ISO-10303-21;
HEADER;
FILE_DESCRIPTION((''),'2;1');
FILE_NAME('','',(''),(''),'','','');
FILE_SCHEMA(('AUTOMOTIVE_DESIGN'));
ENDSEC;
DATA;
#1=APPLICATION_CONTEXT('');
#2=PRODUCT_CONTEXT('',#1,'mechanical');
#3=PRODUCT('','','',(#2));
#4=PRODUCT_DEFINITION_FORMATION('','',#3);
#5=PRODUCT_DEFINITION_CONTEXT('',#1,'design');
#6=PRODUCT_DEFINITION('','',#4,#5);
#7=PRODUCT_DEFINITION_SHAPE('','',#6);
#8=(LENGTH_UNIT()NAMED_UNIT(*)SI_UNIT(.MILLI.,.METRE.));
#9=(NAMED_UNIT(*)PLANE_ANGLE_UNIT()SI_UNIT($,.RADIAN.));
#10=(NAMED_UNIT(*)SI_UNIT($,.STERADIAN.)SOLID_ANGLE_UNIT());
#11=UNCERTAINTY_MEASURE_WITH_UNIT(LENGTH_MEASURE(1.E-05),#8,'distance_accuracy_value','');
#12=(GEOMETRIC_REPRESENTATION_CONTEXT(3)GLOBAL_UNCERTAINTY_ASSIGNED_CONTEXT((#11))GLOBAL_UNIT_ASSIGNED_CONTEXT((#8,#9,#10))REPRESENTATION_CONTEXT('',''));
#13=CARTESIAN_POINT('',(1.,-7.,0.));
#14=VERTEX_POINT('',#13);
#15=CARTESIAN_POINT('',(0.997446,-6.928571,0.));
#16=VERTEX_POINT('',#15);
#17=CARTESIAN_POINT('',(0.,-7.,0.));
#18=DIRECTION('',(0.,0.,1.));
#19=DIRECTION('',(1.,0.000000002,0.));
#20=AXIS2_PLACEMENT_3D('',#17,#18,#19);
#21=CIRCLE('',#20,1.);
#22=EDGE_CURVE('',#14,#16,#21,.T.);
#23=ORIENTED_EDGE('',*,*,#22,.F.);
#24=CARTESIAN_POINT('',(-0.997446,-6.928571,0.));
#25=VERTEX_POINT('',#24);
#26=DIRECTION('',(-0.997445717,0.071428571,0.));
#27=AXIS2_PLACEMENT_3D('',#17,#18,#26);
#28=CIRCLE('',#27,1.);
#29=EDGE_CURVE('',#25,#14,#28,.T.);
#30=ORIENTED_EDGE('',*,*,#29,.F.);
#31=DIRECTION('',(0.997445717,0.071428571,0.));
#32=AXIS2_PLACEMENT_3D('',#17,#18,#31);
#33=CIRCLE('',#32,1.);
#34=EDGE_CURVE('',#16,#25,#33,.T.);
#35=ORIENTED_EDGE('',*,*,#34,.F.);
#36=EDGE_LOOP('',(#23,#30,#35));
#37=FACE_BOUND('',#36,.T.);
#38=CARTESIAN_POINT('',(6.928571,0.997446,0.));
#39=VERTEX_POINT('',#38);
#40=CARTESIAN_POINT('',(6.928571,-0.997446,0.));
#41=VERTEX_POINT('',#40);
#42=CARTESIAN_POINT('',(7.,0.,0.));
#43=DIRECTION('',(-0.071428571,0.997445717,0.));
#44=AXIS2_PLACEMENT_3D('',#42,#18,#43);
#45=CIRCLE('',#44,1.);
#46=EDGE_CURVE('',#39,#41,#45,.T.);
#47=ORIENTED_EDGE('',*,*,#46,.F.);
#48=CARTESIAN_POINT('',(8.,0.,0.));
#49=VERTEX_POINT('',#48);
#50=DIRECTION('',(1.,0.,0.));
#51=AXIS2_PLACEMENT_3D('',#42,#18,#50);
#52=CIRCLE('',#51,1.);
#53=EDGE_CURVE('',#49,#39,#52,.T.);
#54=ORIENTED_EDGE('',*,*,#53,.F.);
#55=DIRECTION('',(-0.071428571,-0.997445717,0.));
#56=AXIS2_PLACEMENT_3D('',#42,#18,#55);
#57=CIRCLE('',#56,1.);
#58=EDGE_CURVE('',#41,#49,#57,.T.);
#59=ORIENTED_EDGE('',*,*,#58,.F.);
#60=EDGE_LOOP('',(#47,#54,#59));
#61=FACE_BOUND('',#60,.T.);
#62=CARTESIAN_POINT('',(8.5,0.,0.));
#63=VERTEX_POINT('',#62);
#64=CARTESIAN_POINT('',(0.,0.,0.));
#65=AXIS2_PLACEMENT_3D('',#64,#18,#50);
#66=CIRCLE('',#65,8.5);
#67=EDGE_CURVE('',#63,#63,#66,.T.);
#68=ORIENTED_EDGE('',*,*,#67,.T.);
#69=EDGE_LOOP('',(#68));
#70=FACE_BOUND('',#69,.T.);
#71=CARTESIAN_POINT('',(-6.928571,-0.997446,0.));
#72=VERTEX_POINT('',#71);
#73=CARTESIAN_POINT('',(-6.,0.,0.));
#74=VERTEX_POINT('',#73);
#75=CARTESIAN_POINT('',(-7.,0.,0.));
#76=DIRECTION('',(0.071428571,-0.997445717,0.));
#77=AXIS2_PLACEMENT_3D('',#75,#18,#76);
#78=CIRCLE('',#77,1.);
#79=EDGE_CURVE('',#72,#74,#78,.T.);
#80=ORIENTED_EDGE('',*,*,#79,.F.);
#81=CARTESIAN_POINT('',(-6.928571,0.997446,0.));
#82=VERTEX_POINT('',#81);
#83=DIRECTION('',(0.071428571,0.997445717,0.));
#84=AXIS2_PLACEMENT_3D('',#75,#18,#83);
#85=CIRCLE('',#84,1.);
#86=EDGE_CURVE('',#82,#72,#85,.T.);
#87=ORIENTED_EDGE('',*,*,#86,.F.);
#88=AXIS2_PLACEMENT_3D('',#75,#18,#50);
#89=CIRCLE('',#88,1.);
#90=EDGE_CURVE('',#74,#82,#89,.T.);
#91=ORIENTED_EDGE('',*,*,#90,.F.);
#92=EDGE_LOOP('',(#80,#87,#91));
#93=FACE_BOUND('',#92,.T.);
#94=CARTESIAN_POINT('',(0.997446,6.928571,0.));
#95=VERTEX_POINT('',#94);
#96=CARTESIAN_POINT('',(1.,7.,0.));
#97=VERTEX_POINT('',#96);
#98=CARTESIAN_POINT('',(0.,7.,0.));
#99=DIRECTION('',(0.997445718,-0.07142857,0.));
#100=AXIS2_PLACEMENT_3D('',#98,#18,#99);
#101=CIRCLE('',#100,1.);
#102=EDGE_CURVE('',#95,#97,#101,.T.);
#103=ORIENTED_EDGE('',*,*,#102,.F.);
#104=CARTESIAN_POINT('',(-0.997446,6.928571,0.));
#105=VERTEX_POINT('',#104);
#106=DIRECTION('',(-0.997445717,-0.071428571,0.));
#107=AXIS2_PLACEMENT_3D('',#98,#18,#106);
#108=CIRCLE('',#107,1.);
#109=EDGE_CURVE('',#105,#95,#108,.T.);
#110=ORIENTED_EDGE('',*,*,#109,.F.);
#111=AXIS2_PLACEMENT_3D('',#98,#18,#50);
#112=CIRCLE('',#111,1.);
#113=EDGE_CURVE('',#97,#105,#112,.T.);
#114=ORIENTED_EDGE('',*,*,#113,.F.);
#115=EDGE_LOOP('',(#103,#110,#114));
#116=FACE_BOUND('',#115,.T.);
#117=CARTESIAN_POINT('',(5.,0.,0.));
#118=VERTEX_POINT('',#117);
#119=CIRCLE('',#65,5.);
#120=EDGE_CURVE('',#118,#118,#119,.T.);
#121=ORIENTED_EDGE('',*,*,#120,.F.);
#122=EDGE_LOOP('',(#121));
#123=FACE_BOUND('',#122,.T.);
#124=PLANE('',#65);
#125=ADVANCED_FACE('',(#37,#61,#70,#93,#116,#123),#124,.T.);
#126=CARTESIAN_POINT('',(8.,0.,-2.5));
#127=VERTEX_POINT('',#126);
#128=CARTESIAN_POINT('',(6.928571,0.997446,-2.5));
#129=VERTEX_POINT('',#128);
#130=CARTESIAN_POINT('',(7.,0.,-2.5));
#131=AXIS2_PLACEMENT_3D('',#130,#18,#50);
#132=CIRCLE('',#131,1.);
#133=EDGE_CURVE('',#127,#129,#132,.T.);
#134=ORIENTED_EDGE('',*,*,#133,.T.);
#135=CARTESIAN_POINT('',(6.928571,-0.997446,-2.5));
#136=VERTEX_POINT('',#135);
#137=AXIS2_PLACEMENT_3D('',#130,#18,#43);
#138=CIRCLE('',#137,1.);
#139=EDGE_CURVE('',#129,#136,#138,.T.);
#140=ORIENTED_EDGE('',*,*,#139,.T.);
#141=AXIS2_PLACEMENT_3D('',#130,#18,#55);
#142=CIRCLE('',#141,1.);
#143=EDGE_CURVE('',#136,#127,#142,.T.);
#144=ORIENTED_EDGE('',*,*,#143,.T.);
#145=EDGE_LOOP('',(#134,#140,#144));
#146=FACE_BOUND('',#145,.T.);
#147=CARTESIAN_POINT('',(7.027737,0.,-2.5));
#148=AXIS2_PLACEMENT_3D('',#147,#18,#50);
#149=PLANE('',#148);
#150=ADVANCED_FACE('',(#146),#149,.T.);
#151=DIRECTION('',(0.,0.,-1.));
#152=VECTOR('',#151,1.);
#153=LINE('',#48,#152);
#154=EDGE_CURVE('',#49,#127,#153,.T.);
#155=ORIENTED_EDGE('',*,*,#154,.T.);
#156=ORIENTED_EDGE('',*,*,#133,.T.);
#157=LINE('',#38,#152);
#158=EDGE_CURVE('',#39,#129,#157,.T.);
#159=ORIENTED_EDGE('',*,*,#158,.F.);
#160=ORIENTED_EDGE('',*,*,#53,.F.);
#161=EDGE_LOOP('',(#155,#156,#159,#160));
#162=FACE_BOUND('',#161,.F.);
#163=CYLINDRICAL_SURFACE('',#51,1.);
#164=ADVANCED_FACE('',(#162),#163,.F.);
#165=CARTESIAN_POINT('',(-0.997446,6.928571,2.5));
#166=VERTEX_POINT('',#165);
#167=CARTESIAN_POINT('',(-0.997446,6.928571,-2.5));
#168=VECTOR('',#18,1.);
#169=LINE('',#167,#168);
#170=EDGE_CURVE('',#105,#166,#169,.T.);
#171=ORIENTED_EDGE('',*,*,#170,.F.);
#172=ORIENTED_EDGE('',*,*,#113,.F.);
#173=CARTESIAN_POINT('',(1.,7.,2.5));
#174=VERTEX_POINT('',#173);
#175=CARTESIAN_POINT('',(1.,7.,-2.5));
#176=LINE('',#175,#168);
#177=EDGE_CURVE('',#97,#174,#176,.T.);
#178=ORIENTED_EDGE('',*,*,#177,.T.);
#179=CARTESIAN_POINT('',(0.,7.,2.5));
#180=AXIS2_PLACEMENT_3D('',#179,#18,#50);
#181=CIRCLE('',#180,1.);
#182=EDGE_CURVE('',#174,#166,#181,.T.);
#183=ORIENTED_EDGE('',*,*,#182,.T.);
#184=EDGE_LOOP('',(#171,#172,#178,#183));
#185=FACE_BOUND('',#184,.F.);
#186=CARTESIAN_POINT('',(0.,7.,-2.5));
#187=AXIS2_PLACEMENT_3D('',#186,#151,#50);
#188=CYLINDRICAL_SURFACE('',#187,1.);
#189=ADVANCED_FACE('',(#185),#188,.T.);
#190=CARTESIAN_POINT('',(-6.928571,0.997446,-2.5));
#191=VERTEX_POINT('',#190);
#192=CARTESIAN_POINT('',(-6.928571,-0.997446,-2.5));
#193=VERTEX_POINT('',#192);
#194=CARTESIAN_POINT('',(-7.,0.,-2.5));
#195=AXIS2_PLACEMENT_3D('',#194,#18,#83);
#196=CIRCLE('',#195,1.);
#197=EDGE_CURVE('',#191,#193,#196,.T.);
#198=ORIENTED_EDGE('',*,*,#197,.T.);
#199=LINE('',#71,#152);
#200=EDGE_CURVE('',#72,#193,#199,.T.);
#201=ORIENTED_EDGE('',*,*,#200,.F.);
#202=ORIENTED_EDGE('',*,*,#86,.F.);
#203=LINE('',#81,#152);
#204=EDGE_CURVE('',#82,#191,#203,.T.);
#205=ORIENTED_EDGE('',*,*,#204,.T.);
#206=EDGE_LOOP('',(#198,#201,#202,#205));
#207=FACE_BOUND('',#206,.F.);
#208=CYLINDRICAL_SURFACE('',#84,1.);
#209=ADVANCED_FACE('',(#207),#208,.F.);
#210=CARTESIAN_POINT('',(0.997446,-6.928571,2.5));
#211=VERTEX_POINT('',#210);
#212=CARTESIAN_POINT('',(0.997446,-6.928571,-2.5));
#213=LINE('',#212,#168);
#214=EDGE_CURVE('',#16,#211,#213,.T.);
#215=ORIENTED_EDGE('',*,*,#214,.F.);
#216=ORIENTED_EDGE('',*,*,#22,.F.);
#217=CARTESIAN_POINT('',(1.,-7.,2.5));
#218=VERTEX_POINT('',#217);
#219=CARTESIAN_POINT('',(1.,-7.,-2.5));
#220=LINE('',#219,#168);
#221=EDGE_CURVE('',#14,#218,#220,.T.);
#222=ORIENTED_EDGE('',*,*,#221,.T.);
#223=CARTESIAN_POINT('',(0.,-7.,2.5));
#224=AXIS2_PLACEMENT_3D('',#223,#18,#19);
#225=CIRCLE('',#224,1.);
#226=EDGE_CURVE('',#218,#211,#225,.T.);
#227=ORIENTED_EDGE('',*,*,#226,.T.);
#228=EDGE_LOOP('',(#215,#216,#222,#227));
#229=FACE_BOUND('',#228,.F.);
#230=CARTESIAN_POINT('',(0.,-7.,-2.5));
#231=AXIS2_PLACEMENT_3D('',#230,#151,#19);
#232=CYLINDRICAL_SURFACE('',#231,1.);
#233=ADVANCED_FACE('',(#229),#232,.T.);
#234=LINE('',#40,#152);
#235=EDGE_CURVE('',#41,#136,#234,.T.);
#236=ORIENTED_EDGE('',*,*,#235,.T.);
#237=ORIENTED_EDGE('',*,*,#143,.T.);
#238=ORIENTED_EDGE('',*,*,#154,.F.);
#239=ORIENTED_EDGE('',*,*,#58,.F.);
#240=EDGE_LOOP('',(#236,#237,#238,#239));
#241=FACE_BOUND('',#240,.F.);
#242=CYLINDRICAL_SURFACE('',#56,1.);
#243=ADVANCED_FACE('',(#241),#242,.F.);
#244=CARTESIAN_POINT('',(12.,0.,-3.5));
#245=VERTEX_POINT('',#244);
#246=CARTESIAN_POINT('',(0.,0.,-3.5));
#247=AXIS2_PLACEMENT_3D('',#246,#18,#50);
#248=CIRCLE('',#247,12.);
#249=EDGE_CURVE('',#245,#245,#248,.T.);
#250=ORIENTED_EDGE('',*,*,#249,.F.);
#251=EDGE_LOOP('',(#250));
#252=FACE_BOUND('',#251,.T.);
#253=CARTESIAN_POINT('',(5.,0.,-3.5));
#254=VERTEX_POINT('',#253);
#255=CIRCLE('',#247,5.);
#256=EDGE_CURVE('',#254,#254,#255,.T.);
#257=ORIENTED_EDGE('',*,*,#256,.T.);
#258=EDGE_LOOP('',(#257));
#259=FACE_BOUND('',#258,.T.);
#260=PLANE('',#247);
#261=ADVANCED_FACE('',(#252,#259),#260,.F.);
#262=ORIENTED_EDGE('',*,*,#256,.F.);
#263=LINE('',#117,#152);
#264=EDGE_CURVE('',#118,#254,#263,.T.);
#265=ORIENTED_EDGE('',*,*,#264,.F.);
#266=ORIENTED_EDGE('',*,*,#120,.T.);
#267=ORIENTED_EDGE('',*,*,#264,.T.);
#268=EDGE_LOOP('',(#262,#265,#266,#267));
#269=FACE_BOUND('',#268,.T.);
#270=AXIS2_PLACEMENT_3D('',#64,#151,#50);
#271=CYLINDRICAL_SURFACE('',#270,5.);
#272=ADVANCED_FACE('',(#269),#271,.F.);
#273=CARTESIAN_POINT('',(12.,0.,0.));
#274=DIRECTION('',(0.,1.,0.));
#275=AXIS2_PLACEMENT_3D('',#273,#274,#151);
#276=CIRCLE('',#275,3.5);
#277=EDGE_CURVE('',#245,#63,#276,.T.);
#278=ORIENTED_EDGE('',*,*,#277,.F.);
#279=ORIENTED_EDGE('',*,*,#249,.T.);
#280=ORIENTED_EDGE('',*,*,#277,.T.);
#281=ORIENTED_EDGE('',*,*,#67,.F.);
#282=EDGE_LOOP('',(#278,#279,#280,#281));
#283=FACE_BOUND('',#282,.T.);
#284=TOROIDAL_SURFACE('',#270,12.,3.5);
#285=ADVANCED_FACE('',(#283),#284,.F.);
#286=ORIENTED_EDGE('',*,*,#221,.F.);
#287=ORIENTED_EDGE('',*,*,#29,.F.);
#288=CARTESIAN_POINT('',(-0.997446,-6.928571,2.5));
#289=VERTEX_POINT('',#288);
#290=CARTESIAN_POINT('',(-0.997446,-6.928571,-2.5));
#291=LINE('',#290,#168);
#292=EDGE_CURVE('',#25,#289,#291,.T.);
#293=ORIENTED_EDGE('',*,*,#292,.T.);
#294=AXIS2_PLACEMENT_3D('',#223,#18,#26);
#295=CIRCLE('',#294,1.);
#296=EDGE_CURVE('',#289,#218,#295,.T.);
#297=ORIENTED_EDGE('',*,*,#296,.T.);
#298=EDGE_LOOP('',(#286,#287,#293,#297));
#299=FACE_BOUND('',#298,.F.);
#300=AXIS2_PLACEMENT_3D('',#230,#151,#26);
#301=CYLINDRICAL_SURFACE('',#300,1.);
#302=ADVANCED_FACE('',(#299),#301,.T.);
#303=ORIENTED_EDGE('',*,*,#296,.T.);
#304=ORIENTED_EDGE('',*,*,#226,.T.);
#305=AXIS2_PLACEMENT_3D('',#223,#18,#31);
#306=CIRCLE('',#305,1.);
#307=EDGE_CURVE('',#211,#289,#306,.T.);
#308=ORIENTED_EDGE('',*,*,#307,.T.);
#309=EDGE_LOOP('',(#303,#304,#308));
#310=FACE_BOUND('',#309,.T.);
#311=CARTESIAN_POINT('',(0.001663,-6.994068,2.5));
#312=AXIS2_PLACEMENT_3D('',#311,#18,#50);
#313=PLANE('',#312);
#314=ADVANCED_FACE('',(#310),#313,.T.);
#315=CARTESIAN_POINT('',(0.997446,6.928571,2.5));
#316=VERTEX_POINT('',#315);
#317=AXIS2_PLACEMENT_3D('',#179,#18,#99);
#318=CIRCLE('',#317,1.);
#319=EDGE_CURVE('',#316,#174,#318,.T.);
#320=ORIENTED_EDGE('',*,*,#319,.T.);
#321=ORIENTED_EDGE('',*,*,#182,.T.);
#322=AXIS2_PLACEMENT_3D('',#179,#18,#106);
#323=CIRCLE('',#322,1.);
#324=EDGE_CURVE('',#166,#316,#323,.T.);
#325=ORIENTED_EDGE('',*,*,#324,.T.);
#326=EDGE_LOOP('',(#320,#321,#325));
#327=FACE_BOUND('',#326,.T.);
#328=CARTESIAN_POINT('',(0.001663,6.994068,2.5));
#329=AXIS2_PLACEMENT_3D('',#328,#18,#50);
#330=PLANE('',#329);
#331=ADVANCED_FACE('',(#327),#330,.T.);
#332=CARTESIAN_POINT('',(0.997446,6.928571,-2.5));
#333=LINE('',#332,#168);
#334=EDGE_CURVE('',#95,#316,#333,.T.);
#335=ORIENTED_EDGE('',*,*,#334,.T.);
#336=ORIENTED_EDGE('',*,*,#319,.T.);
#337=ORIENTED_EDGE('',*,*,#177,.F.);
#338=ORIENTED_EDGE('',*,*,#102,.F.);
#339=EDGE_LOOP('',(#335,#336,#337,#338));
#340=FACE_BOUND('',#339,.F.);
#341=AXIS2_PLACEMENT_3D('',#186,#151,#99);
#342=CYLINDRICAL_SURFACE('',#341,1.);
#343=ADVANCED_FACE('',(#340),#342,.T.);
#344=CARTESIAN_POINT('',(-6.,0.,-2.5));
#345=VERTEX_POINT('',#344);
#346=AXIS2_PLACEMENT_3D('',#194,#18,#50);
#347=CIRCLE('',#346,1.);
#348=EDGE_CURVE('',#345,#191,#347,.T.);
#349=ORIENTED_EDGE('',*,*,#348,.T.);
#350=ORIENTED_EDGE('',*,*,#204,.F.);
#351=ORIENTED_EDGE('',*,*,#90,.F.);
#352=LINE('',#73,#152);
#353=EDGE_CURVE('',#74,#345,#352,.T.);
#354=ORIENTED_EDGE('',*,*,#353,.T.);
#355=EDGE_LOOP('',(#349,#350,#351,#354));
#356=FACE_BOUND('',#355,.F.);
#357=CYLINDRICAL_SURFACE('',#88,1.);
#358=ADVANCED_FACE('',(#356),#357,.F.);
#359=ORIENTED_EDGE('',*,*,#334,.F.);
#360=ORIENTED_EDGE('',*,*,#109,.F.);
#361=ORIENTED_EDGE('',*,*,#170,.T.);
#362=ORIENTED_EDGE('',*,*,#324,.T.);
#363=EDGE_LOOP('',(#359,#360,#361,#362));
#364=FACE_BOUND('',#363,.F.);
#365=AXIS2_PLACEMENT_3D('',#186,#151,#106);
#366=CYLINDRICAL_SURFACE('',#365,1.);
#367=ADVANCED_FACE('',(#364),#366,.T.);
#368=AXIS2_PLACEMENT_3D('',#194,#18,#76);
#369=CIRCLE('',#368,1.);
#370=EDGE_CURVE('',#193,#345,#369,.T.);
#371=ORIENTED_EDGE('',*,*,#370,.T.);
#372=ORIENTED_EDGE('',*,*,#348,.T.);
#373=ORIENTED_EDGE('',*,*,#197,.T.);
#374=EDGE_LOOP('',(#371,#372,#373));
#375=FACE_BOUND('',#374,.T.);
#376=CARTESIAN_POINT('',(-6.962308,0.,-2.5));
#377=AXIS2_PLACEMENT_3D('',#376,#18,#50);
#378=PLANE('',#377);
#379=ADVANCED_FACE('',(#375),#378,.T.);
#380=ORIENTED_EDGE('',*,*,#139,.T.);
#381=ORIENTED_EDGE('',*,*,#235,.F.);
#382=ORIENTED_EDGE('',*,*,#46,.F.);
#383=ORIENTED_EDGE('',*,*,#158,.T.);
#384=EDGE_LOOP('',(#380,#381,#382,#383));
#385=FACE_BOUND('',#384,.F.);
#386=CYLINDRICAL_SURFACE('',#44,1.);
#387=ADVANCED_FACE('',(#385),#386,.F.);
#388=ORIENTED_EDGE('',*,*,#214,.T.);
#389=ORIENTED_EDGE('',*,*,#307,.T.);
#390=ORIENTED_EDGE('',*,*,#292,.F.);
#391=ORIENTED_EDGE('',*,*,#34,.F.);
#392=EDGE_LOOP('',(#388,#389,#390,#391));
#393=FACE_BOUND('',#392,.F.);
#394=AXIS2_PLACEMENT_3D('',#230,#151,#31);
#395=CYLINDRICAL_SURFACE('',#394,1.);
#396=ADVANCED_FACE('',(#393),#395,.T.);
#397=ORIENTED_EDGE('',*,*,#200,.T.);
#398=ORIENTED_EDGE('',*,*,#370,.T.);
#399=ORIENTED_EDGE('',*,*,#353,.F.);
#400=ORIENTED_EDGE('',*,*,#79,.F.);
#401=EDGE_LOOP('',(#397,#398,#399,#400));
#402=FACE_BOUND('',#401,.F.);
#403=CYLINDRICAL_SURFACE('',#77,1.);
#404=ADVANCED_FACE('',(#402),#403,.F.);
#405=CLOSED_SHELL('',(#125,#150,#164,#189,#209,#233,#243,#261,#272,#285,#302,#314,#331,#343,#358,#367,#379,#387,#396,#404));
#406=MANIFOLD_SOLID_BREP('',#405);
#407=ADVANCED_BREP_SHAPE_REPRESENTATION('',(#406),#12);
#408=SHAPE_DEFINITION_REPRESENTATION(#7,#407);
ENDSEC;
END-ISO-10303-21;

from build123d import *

# Parameters (mm, degrees)
F3_DEPTH = 2.5
F4_DEPTH = 5


with BuildPart() as f1:
    # F0 (on Front) → F1 (revolve)
    with BuildSketch(Plane.XZ):
        with BuildLine():
            Line((8.5, 0), (5, 0))
            Line((5, 0), (5, -3.5))
            Line((5, -3.5), (12, -3.5))
            ThreePointArc((12, -3.5), (9.5251262658, -2.4748737342), (8.5, 0))
        make_face()
    revolve(axis=Axis((0, 0, 10.7058882713), (0, 0, 1)))

    # F2 (on face) → F3 (cut)
    with BuildSketch(Plane.XY):
        with BuildLine():
            ThreePointArc((1, 7), (-0.0357371137, 7.9993612253), (-0.9974457174, 6.9285714286))
            ThreePointArc((-0.9974457174, 6.9285714286), (0, 6), (0.9974457174, 6.9285714286))
            ThreePointArc((0.9974457174, 6.9285714286), (0.9993612253, 6.9642628863), (1, 7))
        make_face()
        with BuildLine():
            ThreePointArc((-6, 0), (-6.2680749453, 0.6813851439), (-6.9285714286, 0.9974457174))
            ThreePointArc((-6.9285714286, 0.9974457174), (-8, 0), (-6.9285714286, -0.9974457174))
            ThreePointArc((-6.9285714286, -0.9974457174), (-6.2680749453, -0.6813851439), (-6, 0))
        make_face()
        with BuildLine():
            ThreePointArc((0.9974457174, -6.9285714286), (0, -6), (-0.9974457174, -6.9285714286))
            ThreePointArc((-0.9974457174, -6.9285714286), (-0.0357371137, -7.9993612253), (1, -7))
            ThreePointArc((1, -7), (0.9993612253, -6.9642628863), (0.9974457174, -6.9285714286))
        make_face()
        with BuildLine():
            ThreePointArc((8, 0), (7.6813851439, 0.7319250547), (6.9285714286, 0.9974457174))
            ThreePointArc((6.9285714286, 0.9974457174), (6, 0), (6.9285714286, -0.9974457174))
            ThreePointArc((6.9285714286, -0.9974457174), (7.6813851439, -0.7319250547), (8, 0))
        make_face()
    extrude(amount=-F3_DEPTH, mode=Mode.SUBTRACT)

    # F4 (add): faces of the model
    f4_faces = [f1.faces().sort_by_distance(p)[0] for p in [
        (0, 7, -2.5),
        (0, -7, -2.5),
    ]]
    extrude(f4_faces, amount=F4_DEPTH)


solid = f1.part
